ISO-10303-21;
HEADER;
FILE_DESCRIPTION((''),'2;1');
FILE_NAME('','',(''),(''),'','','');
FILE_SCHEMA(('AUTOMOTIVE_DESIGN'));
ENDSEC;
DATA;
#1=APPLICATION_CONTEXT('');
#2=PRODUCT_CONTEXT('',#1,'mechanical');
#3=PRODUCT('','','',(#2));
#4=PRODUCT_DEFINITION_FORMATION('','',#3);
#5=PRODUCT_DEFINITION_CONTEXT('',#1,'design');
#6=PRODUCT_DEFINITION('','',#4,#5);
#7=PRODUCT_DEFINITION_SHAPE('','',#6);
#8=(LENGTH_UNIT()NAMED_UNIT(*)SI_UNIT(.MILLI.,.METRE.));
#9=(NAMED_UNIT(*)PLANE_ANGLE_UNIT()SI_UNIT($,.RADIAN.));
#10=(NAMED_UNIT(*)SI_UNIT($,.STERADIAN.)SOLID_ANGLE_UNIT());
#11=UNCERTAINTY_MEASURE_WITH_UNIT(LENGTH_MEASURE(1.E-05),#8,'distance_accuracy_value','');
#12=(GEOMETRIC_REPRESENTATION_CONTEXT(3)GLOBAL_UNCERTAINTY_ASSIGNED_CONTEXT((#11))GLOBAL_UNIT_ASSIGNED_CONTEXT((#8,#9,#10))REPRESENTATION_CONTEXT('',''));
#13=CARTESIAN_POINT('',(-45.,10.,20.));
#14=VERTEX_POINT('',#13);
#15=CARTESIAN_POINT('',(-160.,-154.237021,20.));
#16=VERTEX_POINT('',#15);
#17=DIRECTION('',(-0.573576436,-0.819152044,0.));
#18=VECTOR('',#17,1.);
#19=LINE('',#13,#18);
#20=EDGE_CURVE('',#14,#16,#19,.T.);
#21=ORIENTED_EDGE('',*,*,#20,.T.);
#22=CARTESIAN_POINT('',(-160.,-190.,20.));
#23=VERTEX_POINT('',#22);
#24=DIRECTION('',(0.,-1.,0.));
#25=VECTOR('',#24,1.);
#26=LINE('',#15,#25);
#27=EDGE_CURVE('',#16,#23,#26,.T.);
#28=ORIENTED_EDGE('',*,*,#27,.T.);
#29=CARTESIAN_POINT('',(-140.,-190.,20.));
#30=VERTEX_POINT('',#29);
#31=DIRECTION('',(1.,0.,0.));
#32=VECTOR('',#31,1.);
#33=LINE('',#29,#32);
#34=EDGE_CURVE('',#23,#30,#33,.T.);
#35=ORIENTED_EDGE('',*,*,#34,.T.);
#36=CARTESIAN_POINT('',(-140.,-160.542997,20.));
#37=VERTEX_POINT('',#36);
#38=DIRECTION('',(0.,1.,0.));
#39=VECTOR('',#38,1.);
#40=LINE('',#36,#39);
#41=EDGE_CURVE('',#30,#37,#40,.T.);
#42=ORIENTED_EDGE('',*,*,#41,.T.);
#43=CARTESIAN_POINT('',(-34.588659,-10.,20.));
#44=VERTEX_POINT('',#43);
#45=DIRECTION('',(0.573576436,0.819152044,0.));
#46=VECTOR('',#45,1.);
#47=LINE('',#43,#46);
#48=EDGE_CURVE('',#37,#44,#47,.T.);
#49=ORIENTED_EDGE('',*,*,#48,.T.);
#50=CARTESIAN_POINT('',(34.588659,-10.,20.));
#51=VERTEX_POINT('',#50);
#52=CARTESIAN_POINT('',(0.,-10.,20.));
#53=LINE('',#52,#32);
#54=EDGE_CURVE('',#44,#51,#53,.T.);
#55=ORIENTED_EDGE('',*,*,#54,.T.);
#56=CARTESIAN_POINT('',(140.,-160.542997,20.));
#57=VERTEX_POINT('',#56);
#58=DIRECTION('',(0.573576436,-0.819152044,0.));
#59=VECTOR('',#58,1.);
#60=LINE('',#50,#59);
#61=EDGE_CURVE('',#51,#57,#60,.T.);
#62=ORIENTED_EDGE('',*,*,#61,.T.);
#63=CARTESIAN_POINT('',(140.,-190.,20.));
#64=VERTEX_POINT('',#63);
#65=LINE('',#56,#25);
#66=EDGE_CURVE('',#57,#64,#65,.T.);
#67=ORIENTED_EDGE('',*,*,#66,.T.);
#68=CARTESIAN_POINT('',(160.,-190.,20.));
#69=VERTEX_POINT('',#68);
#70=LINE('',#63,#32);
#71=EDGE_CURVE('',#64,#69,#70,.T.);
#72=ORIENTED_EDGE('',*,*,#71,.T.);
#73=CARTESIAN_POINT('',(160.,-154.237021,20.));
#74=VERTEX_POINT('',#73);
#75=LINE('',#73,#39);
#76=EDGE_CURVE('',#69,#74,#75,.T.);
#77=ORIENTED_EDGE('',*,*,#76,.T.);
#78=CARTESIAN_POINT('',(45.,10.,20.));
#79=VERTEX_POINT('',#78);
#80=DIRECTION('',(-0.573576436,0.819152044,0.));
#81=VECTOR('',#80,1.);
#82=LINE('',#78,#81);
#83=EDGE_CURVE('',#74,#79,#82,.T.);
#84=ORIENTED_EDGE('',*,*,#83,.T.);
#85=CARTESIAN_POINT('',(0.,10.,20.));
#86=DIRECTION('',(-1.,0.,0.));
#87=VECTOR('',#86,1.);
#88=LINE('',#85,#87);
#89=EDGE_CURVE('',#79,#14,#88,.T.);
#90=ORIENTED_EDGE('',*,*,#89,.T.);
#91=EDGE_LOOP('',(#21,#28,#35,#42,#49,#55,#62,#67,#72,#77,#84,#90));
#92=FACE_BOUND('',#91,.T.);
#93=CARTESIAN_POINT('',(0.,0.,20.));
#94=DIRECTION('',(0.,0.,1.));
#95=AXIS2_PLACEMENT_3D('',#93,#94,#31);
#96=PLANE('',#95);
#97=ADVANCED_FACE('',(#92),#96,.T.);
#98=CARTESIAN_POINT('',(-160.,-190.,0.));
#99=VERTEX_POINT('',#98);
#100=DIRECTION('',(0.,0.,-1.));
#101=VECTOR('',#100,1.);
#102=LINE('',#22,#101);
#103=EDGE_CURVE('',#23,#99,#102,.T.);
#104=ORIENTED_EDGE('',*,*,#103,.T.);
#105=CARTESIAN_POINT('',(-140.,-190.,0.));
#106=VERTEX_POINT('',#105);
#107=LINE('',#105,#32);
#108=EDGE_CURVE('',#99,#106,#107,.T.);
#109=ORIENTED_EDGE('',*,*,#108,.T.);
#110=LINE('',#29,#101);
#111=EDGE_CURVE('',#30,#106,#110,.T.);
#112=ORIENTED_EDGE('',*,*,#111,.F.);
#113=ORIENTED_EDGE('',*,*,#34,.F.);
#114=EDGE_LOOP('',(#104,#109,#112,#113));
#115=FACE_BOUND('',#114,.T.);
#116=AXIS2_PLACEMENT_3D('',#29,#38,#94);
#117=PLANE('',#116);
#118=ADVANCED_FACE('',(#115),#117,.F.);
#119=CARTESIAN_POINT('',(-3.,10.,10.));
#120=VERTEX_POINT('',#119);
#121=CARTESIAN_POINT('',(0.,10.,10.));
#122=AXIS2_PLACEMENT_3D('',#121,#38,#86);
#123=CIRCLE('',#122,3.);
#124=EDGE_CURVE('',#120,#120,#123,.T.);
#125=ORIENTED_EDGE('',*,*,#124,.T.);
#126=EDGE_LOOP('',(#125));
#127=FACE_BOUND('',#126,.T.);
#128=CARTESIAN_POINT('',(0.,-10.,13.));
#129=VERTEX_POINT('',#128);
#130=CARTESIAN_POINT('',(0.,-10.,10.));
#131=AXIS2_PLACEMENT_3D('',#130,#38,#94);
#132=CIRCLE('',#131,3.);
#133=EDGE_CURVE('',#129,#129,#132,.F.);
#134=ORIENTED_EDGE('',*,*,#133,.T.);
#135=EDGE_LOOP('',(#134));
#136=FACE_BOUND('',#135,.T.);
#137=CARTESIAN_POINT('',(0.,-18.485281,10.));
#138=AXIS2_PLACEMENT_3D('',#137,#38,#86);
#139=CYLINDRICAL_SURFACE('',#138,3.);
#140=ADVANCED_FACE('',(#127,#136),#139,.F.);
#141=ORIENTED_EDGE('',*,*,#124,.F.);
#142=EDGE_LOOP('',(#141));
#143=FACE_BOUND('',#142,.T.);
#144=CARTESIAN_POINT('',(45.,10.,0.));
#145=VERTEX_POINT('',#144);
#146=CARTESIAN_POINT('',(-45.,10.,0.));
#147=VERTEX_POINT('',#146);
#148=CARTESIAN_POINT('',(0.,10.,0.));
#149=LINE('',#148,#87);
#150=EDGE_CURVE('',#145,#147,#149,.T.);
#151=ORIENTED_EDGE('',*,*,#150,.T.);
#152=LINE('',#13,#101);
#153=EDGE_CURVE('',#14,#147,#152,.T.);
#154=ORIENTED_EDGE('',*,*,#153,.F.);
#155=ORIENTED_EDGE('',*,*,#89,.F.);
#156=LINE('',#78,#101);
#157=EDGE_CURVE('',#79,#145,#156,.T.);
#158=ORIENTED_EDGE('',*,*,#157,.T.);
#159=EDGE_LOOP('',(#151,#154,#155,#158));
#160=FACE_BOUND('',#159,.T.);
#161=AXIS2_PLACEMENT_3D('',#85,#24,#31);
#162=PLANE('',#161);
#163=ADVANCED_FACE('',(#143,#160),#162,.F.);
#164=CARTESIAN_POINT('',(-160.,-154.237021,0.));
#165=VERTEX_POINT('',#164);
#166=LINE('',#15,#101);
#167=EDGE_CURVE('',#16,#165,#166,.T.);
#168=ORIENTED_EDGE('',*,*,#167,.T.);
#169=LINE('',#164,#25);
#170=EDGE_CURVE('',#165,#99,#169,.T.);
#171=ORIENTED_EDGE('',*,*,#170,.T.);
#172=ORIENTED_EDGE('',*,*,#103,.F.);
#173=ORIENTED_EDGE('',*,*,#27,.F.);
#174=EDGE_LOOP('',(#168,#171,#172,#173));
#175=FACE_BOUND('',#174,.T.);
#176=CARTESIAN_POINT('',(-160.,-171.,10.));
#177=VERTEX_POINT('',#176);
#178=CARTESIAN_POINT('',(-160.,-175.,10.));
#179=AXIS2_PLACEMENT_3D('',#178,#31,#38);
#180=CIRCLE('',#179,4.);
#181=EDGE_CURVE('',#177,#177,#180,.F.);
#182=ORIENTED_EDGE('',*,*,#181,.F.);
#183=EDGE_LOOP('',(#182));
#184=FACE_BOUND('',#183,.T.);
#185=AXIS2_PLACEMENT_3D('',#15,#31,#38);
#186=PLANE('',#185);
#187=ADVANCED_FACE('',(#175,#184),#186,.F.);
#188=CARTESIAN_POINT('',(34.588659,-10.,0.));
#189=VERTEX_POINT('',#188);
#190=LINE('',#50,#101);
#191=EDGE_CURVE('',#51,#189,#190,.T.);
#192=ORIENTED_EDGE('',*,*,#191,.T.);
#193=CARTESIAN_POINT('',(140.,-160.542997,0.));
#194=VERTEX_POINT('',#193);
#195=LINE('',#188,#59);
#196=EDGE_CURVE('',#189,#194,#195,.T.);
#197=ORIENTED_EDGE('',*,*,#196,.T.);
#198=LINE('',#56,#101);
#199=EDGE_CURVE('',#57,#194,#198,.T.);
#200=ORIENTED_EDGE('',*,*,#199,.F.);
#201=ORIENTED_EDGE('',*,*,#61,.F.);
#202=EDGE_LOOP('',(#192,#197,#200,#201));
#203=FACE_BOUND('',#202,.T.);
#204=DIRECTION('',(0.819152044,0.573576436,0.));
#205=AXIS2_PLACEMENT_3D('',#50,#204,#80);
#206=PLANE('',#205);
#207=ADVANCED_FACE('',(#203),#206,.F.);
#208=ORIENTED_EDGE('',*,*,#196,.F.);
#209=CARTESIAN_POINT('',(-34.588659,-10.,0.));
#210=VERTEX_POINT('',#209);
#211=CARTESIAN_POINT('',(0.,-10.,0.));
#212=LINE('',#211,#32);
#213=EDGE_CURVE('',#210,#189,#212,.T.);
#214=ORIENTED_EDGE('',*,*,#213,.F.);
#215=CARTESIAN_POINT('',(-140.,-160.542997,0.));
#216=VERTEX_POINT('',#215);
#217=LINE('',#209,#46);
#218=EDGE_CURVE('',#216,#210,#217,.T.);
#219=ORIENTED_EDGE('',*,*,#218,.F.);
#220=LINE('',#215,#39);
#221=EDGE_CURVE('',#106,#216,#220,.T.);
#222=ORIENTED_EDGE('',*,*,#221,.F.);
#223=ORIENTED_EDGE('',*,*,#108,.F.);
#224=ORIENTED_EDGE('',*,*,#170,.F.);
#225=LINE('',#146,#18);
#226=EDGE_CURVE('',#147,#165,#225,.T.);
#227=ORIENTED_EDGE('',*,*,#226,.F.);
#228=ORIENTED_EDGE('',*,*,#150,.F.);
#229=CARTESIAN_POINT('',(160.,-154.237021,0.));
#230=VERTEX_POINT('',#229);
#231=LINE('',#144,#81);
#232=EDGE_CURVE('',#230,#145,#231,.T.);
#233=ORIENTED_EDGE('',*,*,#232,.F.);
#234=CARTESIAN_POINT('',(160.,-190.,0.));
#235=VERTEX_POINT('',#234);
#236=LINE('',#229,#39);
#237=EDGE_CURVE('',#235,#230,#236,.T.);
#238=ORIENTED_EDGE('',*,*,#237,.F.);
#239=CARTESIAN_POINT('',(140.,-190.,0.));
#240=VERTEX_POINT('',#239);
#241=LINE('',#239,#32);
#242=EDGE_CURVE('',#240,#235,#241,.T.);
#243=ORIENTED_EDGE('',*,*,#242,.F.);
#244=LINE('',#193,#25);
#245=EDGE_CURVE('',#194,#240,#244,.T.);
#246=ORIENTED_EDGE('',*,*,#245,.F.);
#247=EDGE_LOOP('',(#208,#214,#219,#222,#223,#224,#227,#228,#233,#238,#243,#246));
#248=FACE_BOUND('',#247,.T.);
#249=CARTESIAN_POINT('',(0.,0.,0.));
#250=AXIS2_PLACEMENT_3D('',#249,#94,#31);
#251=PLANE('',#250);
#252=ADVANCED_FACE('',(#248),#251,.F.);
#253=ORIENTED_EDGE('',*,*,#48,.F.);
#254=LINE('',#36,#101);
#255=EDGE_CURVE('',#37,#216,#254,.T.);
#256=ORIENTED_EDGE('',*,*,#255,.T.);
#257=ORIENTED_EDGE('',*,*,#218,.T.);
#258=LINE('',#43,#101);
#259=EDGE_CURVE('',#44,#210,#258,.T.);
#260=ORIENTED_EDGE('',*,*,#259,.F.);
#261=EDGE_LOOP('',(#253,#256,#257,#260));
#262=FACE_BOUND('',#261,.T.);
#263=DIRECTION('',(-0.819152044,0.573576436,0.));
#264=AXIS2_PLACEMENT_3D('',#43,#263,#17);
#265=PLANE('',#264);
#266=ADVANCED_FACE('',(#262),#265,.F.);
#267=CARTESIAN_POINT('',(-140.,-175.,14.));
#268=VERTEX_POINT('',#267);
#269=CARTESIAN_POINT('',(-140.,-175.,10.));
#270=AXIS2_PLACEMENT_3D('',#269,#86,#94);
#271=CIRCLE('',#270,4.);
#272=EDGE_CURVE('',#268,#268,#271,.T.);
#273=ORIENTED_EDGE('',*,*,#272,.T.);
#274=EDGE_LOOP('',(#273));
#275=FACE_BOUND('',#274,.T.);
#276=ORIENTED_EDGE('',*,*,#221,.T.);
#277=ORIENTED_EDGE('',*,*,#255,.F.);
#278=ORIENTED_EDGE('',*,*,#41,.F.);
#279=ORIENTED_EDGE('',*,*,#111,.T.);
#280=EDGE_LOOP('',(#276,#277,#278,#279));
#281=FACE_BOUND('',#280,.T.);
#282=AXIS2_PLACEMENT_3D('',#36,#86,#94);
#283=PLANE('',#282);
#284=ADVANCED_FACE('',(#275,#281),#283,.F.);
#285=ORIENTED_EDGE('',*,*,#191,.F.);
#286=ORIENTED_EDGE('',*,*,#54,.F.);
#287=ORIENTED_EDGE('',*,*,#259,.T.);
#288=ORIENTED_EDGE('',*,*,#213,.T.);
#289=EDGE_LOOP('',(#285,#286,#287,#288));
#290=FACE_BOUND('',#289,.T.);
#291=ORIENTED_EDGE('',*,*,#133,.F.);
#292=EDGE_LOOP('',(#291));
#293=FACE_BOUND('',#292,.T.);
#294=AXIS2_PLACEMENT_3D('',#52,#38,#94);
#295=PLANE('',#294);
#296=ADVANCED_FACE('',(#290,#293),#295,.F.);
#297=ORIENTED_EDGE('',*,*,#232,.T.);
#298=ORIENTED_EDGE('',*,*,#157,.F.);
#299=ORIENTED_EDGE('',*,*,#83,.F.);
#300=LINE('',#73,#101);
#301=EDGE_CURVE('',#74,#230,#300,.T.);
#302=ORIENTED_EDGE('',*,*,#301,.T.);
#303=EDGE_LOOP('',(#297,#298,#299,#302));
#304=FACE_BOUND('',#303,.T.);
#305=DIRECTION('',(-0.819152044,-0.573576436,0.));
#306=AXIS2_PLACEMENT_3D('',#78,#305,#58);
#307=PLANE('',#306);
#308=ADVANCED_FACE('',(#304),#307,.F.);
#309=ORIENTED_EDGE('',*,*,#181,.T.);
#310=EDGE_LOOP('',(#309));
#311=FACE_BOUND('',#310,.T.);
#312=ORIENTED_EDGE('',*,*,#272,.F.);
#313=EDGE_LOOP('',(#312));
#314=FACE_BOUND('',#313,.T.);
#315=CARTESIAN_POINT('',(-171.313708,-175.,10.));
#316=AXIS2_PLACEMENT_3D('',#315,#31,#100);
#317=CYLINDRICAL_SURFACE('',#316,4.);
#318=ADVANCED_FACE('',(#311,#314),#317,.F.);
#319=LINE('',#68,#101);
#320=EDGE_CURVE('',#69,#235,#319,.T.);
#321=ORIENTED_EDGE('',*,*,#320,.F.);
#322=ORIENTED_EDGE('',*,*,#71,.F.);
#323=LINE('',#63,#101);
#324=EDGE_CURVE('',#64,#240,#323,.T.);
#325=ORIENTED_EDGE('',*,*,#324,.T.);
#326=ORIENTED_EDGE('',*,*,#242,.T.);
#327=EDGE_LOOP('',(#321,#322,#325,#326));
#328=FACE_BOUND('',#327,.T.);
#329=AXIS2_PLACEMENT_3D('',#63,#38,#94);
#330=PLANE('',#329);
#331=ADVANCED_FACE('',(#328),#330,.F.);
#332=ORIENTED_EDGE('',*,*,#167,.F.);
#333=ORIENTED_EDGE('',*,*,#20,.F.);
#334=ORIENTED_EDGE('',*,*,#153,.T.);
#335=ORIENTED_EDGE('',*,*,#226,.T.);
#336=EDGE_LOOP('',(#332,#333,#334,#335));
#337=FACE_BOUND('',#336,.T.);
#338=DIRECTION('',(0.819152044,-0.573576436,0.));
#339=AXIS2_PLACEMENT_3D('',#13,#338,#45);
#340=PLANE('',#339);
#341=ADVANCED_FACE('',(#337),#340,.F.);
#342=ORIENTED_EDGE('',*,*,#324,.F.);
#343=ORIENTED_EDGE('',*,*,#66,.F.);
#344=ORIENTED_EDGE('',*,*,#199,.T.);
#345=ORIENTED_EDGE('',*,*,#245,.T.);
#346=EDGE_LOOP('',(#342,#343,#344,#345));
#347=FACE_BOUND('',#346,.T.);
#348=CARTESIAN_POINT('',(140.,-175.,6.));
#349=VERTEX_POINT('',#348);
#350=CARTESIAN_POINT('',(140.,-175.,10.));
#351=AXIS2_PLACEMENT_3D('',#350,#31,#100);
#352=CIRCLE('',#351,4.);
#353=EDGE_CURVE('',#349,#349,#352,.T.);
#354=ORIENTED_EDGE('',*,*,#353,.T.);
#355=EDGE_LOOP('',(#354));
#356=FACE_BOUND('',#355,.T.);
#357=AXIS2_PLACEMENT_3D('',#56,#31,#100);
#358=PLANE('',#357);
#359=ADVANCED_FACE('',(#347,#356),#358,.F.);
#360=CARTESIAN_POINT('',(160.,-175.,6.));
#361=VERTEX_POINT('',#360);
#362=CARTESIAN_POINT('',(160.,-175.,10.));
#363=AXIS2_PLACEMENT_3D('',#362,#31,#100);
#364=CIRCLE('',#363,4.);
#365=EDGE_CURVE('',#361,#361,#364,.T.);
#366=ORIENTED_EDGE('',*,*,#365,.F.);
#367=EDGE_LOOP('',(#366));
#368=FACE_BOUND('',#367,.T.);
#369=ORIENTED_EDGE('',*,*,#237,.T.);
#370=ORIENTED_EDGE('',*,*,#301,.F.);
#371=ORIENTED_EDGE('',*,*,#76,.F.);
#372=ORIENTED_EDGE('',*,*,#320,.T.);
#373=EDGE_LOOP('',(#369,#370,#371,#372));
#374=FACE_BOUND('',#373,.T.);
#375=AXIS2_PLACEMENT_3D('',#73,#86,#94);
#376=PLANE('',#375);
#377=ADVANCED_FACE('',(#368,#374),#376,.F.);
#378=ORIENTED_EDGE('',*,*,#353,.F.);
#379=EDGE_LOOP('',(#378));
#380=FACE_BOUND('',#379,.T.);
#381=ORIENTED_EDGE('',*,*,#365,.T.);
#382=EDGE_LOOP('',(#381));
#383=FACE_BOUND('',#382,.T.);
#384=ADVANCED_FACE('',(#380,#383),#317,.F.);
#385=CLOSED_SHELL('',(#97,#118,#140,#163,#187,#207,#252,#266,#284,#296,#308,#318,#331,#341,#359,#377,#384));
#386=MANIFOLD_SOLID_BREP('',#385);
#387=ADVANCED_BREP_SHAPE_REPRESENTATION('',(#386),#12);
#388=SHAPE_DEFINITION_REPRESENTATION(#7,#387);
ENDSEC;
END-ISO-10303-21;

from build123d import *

# Parameters (mm, degrees)
BOSS_EXTRUDE1_DEPTH = 20
CUT_EXTRUDE1_REACH  = 374.693
SKETCH2_R           = 4
CUT_EXTRUDE2_DEPTH  = 20


with BuildPart() as part:
    # Sketch1 → Boss-Extrude1 (new body)
    with BuildSketch(Plane.XY):
        Polygon((0, -10), (34.588658989, -10), (140, -160.542996553), (140, -190), (160, -190), (160, -154.237020775), (45, 10), (0, 10), (-45, 10), (-160, -154.237020775), (-160, -190), (-140, -190), (-140, -160.542996553), (-34.588658989, -10), align=None)
    extrude(amount=BOSS_EXTRUDE1_DEPTH)

    # Cut-Extrude1: up to this face of the body (flat: up to its plane)
    cut_extrude1_end = Plane(part.part.faces().sort_by_distance((-160, -172.118510388, 10))[0])
    # Sketch2 → Cut-Extrude1 (cut, up to the picked face)
    with BuildSketch(Plane(origin=(160, 0, 0), x_dir=(0, 0, -1), z_dir=(1, 0, 0)), mode=Mode.PRIVATE) as cut_extrude1_sk1:
        with Locations(Location((-10, -175, 0), (0, 0, 90))):
            Circle(SKETCH2_R)
    cut_extrude1_tool1 = split(extrude(cut_extrude1_sk1.sketch, amount=-CUT_EXTRUDE1_REACH, mode=Mode.PRIVATE), bisect_by=cut_extrude1_end, keep=Keep.BOTH, mode=Mode.PRIVATE)
    add(cut_extrude1_tool1.solids().sort_by(Axis((160, -175, 10), (-1, 0, 0)))[0], mode=Mode.SUBTRACT)

    # Sketch3 → Cut-Extrude2 (cut)
    with BuildSketch(Plane(origin=(0, 10, 0), x_dir=(1, 0, 0), z_dir=(0, 1, 0))):
        with BuildLine():
            ThreePointArc((3, -10), (2.121320344, -7.878679656), (0, -7))
            Line((0, -7), (0, -10))
            Line((0, -10), (3, -10))
        make_face()
        with BuildLine():
            Line((0, -10), (0, -7))
            ThreePointArc((0, -7), (-2.121320344, -7.878679656), (-3, -10))
            Line((-3, -10), (0, -10))
        make_face()
        with BuildLine():
            Line((3, -10), (0, -10))
            Line((0, -10), (0, -13))
            ThreePointArc((0, -13), (2.121320344, -12.121320344), (3, -10))
        make_face()
        with BuildLine():
            Line((0, -13), (0, -10))
            Line((0, -10), (-3, -10))
            ThreePointArc((-3, -10), (-2.121320344, -12.121320344), (0, -13))
        make_face()
    extrude(amount=-CUT_EXTRUDE2_DEPTH, mode=Mode.SUBTRACT)


solid = part.part
